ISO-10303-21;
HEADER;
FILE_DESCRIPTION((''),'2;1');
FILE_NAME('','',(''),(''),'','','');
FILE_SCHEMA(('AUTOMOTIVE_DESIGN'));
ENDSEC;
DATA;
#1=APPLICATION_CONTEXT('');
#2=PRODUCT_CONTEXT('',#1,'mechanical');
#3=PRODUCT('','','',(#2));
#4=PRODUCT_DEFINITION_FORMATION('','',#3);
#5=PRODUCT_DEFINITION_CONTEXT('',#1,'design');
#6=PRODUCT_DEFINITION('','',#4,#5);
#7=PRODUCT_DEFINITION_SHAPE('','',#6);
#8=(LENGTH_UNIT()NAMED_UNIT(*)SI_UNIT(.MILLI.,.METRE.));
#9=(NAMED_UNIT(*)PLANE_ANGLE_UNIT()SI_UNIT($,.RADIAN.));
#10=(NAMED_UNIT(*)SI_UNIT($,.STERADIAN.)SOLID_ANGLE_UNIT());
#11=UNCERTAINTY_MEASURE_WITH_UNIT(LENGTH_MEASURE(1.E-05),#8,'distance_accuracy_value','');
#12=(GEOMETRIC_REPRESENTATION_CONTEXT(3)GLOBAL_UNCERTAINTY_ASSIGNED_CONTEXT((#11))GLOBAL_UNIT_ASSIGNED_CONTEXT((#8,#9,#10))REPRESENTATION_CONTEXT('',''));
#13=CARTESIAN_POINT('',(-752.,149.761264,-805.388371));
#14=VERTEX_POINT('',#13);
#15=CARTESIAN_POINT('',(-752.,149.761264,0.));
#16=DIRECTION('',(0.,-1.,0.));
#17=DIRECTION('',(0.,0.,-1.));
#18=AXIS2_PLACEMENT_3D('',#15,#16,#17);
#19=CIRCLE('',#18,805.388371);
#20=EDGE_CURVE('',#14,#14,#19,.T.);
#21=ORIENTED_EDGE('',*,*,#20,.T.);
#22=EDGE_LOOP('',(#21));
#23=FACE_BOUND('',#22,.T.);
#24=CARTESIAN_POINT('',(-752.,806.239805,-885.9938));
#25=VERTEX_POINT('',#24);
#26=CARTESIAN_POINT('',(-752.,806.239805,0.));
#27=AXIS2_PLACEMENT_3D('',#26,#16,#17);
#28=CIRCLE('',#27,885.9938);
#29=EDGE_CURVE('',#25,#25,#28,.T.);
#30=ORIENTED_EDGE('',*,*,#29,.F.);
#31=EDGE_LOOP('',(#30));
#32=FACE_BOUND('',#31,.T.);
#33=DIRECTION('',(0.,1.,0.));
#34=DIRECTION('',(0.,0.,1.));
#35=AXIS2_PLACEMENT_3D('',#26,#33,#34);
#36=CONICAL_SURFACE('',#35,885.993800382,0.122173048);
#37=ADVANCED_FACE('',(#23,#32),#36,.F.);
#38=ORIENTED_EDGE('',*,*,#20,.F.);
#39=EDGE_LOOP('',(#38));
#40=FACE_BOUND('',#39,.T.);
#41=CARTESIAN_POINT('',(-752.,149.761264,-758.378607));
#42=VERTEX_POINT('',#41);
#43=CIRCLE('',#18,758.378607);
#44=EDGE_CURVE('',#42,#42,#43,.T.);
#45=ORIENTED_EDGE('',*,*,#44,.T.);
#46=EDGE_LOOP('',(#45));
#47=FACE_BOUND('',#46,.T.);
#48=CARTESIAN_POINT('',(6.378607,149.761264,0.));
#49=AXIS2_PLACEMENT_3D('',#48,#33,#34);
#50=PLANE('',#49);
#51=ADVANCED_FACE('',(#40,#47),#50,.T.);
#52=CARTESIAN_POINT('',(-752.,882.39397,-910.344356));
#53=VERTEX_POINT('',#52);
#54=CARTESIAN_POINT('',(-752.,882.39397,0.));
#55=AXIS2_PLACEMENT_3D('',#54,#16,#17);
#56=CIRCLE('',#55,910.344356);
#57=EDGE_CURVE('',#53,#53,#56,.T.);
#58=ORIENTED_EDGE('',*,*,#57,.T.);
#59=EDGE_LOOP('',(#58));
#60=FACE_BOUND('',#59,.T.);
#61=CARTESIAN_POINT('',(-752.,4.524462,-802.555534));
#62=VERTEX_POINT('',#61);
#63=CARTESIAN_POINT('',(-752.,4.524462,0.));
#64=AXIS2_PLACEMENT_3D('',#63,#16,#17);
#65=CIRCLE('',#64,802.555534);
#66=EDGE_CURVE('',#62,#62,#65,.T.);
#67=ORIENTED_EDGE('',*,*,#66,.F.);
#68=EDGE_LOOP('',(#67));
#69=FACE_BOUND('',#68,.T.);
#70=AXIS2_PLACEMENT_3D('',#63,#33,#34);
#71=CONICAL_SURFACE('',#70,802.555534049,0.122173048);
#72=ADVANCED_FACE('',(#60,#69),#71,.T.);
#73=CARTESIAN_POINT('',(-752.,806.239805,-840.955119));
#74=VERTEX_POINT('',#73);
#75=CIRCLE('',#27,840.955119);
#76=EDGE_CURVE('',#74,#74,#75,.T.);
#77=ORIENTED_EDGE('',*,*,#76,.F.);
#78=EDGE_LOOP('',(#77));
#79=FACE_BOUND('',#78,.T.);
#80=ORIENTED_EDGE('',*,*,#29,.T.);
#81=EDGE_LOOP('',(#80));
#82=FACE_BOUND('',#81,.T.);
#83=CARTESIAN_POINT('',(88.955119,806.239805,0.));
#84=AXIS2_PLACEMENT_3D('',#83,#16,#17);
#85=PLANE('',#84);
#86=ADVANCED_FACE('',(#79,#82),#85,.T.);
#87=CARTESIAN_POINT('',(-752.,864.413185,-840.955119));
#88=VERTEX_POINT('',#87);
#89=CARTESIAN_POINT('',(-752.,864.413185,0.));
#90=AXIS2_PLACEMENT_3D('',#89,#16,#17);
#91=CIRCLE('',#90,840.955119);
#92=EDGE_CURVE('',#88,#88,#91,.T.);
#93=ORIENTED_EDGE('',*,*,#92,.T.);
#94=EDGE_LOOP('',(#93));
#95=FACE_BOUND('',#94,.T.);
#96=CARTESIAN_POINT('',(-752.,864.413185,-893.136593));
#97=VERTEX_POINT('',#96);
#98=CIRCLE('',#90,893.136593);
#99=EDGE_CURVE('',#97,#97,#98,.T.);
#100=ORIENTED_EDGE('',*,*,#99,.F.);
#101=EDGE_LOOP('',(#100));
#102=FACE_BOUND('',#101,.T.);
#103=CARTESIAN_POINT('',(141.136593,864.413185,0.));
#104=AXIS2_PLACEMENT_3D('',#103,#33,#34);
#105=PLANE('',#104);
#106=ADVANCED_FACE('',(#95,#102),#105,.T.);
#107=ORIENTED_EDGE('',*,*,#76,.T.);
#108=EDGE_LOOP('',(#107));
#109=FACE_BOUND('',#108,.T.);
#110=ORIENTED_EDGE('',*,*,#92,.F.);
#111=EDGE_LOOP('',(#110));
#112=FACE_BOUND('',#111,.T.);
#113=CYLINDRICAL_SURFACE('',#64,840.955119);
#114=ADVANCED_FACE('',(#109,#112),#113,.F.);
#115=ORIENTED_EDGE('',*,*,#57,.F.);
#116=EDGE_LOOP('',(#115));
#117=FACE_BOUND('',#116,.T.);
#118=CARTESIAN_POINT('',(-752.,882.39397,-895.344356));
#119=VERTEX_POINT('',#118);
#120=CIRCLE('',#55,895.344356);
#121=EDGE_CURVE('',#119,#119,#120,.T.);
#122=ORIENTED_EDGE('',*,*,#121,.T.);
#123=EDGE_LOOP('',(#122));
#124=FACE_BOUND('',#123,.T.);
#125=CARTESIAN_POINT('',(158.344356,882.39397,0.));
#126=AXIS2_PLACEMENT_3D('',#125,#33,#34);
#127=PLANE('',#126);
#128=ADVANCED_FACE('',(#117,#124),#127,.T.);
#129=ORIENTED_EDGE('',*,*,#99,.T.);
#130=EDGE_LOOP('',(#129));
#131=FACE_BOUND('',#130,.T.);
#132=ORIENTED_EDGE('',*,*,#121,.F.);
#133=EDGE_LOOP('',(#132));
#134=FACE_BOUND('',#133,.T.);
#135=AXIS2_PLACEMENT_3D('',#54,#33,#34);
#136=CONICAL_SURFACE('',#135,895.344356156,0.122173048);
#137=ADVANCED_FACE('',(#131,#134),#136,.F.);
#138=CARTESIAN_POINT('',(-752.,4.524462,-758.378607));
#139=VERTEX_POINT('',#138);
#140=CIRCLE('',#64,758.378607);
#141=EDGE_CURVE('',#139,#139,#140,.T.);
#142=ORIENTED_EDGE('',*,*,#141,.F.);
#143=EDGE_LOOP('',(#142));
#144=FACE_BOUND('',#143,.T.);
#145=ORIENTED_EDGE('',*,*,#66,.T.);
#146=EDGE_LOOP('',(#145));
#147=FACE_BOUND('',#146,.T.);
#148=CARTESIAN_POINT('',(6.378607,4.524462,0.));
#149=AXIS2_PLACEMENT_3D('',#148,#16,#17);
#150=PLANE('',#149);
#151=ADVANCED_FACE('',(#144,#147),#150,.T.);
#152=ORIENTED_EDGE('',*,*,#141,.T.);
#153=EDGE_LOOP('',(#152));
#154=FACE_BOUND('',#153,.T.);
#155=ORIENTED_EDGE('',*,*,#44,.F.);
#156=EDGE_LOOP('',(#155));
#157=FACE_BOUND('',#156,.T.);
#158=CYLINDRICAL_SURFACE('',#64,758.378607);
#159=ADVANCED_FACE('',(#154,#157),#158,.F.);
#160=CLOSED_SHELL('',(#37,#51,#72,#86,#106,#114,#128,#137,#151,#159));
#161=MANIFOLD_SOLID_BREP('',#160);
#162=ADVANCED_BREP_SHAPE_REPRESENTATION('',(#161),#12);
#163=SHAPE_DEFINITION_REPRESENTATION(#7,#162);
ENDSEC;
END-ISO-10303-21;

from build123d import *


with BuildPart() as part:
    # 草图1 → 旋转1 (revolve)
    with BuildSketch(Plane.XY):
        Polygon((6.378607461, 4.52446175), (50.555534049, 4.52446175), (158.344356156, 882.393970053), (143.344356156, 882.393970053), (141.136593348, 864.413184913), (88.955118532, 864.413184913), (88.955118532, 806.239804532), (133.993800382, 806.239804532), (53.388370999, 149.761263662), (6.378607461, 149.761263662), align=None)
    revolve(axis=Axis((-752, 4.52446175, 0), (0, 1, 0)))


solid = part.part
